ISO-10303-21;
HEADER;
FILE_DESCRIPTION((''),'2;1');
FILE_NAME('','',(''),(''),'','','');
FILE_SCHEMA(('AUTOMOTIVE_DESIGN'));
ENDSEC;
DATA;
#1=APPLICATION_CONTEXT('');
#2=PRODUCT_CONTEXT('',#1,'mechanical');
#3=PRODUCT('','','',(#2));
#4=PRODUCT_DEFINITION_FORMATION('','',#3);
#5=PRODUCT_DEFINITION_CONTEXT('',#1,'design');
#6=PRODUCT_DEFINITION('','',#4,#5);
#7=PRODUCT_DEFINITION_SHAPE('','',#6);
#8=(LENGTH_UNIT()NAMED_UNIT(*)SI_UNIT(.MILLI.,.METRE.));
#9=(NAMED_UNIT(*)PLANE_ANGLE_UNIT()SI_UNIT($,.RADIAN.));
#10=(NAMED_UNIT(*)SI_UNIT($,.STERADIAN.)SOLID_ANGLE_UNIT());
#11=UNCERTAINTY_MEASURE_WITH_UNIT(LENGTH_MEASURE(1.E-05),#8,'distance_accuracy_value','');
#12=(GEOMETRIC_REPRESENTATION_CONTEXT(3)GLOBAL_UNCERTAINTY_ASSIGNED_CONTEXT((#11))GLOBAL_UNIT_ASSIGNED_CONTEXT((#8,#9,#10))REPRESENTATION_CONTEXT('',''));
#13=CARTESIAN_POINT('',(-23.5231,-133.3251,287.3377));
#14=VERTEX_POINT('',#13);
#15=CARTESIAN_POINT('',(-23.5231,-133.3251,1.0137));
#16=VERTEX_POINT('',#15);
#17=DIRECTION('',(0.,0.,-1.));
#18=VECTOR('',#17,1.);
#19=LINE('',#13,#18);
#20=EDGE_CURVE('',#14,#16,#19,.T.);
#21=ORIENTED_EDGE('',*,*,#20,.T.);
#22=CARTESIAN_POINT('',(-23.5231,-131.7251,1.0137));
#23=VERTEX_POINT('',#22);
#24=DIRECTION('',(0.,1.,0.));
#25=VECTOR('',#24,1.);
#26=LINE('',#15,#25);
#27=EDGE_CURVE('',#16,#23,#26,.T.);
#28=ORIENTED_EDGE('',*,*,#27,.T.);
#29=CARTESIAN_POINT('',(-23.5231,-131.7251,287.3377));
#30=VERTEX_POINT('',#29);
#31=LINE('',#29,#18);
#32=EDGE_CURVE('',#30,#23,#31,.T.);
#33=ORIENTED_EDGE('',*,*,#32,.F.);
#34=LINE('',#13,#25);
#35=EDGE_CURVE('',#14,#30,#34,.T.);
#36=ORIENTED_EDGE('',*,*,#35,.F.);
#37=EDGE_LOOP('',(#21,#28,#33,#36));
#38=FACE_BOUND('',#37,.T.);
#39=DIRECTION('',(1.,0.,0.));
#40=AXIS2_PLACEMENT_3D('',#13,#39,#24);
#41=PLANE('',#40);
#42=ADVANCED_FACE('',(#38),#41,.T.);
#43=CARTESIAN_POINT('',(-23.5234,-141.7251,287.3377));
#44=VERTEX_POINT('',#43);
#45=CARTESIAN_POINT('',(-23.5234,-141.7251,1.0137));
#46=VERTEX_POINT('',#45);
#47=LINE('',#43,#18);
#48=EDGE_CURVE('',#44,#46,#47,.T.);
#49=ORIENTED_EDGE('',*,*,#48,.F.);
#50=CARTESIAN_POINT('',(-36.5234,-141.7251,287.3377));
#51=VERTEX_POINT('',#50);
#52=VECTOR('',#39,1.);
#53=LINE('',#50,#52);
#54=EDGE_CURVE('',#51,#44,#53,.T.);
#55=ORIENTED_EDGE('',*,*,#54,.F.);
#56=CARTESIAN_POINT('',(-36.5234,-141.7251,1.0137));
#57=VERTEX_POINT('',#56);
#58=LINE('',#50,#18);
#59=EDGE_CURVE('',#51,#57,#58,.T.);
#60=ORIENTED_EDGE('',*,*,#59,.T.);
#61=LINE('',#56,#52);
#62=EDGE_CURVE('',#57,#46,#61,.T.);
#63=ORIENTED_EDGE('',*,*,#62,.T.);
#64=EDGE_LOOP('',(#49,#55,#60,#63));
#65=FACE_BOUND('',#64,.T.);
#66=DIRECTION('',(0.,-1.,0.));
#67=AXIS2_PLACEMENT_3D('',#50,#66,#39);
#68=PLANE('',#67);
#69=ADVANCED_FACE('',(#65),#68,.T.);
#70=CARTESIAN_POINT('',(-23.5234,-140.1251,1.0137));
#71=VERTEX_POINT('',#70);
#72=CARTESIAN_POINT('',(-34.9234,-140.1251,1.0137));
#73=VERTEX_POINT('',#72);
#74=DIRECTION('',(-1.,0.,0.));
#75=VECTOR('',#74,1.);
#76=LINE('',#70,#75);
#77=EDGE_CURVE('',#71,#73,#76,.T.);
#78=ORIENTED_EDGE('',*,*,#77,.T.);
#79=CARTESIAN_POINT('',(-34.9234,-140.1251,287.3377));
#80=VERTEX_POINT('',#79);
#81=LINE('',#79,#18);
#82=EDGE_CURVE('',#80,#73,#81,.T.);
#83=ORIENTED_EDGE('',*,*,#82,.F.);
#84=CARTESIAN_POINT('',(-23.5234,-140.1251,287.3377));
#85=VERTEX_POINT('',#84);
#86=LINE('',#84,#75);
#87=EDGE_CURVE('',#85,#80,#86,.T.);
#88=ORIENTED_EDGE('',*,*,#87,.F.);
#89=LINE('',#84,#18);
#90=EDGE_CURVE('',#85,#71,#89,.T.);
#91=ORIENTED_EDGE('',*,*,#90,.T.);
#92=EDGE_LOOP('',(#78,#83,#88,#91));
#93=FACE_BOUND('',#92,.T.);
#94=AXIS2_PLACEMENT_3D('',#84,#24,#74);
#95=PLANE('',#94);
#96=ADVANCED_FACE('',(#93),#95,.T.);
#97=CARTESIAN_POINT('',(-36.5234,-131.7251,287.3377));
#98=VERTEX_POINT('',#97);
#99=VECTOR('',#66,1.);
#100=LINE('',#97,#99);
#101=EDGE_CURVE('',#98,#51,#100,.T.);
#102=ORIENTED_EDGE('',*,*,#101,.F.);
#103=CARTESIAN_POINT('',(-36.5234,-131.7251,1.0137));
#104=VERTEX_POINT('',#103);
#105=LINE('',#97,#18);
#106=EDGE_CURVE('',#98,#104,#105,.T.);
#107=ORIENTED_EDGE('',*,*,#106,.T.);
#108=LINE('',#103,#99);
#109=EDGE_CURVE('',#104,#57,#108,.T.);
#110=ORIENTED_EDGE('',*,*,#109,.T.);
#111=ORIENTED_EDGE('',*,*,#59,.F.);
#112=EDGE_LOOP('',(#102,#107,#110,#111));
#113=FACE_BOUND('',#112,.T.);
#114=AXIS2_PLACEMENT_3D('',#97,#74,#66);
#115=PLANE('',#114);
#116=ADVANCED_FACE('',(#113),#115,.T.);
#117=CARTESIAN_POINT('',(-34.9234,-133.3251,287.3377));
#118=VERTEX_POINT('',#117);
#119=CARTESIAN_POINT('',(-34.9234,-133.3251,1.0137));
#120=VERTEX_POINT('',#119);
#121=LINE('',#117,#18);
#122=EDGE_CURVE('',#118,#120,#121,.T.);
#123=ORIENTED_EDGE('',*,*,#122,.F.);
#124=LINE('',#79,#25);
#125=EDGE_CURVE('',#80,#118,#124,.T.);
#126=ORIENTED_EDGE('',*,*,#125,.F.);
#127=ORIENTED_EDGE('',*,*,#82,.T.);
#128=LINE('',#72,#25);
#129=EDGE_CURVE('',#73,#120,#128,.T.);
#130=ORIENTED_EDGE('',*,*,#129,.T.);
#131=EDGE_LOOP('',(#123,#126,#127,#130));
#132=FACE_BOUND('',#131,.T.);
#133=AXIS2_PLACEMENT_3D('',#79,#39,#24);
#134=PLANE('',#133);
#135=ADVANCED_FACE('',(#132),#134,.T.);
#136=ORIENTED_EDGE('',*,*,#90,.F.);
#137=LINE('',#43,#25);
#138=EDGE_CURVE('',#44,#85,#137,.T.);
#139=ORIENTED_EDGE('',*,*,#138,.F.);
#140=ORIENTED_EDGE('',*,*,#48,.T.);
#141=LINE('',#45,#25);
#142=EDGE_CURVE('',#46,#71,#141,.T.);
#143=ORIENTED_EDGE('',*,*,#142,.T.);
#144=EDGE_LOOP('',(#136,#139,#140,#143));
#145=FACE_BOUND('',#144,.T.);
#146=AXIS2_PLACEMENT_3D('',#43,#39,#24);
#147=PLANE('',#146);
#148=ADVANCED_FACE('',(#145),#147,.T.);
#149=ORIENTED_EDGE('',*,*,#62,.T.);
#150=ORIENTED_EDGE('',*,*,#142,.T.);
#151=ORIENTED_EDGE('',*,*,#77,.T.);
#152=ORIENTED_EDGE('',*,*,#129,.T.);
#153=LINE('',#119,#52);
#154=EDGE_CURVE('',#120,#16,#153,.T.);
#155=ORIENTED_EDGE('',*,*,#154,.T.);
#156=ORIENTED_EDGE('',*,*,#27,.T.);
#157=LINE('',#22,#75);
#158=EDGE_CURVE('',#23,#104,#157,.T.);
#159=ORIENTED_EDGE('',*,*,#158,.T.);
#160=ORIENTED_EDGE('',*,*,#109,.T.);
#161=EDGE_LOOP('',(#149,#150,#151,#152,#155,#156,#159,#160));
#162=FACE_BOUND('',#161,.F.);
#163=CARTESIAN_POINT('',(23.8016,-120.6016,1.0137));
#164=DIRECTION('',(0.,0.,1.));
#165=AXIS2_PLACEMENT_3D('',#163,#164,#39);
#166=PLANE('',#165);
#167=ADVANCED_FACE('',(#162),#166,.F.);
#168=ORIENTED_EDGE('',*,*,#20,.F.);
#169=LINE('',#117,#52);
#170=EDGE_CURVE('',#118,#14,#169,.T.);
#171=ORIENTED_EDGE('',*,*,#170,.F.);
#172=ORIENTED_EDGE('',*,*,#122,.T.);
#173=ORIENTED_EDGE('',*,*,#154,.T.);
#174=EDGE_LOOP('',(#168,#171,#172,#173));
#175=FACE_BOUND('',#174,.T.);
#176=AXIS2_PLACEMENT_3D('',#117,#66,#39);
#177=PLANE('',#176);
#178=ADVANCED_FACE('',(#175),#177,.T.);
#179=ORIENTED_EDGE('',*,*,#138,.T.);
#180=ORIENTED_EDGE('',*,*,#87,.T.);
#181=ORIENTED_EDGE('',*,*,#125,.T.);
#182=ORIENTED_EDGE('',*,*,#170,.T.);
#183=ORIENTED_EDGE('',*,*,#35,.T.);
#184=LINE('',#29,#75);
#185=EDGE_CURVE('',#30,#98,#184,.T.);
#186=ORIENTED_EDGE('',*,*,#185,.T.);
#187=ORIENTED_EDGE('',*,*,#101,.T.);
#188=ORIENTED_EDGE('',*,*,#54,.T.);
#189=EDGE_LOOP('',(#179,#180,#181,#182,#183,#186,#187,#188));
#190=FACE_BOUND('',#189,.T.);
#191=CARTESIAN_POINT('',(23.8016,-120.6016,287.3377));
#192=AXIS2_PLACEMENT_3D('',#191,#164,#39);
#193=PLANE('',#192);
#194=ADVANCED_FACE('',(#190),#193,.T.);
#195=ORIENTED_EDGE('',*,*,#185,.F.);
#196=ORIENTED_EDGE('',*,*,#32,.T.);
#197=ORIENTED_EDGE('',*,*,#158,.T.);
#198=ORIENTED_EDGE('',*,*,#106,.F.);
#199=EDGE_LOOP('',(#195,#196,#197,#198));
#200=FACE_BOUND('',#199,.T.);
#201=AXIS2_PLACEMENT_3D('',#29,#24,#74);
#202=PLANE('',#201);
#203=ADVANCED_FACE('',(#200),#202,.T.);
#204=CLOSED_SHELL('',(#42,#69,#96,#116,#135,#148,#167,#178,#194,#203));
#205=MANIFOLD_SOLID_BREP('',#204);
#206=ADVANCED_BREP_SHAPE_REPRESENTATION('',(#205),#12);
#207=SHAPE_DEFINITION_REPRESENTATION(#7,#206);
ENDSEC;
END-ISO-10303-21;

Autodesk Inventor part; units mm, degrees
ref_plane "YZ Plane" through (0, 0, 0) normal (1, 0, 0) x (0, 1, 0)
ref_plane "XZ Plane" through (0, 0, 0) normal (0, 1, 0) x (-1, 0, 0)
ref_plane "XY Plane" through (0, 0, 0) normal (0, 0, 1) x (1, 0, 0)
ref_plane "Work Plane1" through (23.8016, -120.6016, 287.3377) normal (0, 0, 1) x (1, 0, 0)
sketch "Sketch1" plane through (23.8016, -120.6016, 287.3377) normal (0, 0, 1) x (1, 0, 0)
  line L0 (-60.325, -11.1235) -> (-60.325, -21.1235)
  line L1 (-60.325, -21.1235) -> (-47.325, -21.1235)
  line L2 (-47.325, -21.1235) -> (-47.325, -19.5235)
  line L3 (-47.325, -19.5235) -> (-58.725, -19.5235)
  line L4 (-58.725, -19.5235) -> (-58.725, -12.7235)
  line L5 (-58.725, -12.7235) -> (-47.3247, -12.7235)
  line L6 (-47.3247, -12.7235) -> (-47.3247, -11.1235)
  line L7 (-47.3247, -11.1235) -> (-60.325, -11.1235)
  point P0 (-23.8016, 120.6016)
  dimension "d0" = 10
  dimension "d1" = 13
  dimension "d2" = 1.6
  dimension "d3" = 1.6
  dimension "d4" = 1.6
extrude "Extrusion1" add sketch "Sketch1" against normal blind 286.324
properties part number "Z-table Rail"
